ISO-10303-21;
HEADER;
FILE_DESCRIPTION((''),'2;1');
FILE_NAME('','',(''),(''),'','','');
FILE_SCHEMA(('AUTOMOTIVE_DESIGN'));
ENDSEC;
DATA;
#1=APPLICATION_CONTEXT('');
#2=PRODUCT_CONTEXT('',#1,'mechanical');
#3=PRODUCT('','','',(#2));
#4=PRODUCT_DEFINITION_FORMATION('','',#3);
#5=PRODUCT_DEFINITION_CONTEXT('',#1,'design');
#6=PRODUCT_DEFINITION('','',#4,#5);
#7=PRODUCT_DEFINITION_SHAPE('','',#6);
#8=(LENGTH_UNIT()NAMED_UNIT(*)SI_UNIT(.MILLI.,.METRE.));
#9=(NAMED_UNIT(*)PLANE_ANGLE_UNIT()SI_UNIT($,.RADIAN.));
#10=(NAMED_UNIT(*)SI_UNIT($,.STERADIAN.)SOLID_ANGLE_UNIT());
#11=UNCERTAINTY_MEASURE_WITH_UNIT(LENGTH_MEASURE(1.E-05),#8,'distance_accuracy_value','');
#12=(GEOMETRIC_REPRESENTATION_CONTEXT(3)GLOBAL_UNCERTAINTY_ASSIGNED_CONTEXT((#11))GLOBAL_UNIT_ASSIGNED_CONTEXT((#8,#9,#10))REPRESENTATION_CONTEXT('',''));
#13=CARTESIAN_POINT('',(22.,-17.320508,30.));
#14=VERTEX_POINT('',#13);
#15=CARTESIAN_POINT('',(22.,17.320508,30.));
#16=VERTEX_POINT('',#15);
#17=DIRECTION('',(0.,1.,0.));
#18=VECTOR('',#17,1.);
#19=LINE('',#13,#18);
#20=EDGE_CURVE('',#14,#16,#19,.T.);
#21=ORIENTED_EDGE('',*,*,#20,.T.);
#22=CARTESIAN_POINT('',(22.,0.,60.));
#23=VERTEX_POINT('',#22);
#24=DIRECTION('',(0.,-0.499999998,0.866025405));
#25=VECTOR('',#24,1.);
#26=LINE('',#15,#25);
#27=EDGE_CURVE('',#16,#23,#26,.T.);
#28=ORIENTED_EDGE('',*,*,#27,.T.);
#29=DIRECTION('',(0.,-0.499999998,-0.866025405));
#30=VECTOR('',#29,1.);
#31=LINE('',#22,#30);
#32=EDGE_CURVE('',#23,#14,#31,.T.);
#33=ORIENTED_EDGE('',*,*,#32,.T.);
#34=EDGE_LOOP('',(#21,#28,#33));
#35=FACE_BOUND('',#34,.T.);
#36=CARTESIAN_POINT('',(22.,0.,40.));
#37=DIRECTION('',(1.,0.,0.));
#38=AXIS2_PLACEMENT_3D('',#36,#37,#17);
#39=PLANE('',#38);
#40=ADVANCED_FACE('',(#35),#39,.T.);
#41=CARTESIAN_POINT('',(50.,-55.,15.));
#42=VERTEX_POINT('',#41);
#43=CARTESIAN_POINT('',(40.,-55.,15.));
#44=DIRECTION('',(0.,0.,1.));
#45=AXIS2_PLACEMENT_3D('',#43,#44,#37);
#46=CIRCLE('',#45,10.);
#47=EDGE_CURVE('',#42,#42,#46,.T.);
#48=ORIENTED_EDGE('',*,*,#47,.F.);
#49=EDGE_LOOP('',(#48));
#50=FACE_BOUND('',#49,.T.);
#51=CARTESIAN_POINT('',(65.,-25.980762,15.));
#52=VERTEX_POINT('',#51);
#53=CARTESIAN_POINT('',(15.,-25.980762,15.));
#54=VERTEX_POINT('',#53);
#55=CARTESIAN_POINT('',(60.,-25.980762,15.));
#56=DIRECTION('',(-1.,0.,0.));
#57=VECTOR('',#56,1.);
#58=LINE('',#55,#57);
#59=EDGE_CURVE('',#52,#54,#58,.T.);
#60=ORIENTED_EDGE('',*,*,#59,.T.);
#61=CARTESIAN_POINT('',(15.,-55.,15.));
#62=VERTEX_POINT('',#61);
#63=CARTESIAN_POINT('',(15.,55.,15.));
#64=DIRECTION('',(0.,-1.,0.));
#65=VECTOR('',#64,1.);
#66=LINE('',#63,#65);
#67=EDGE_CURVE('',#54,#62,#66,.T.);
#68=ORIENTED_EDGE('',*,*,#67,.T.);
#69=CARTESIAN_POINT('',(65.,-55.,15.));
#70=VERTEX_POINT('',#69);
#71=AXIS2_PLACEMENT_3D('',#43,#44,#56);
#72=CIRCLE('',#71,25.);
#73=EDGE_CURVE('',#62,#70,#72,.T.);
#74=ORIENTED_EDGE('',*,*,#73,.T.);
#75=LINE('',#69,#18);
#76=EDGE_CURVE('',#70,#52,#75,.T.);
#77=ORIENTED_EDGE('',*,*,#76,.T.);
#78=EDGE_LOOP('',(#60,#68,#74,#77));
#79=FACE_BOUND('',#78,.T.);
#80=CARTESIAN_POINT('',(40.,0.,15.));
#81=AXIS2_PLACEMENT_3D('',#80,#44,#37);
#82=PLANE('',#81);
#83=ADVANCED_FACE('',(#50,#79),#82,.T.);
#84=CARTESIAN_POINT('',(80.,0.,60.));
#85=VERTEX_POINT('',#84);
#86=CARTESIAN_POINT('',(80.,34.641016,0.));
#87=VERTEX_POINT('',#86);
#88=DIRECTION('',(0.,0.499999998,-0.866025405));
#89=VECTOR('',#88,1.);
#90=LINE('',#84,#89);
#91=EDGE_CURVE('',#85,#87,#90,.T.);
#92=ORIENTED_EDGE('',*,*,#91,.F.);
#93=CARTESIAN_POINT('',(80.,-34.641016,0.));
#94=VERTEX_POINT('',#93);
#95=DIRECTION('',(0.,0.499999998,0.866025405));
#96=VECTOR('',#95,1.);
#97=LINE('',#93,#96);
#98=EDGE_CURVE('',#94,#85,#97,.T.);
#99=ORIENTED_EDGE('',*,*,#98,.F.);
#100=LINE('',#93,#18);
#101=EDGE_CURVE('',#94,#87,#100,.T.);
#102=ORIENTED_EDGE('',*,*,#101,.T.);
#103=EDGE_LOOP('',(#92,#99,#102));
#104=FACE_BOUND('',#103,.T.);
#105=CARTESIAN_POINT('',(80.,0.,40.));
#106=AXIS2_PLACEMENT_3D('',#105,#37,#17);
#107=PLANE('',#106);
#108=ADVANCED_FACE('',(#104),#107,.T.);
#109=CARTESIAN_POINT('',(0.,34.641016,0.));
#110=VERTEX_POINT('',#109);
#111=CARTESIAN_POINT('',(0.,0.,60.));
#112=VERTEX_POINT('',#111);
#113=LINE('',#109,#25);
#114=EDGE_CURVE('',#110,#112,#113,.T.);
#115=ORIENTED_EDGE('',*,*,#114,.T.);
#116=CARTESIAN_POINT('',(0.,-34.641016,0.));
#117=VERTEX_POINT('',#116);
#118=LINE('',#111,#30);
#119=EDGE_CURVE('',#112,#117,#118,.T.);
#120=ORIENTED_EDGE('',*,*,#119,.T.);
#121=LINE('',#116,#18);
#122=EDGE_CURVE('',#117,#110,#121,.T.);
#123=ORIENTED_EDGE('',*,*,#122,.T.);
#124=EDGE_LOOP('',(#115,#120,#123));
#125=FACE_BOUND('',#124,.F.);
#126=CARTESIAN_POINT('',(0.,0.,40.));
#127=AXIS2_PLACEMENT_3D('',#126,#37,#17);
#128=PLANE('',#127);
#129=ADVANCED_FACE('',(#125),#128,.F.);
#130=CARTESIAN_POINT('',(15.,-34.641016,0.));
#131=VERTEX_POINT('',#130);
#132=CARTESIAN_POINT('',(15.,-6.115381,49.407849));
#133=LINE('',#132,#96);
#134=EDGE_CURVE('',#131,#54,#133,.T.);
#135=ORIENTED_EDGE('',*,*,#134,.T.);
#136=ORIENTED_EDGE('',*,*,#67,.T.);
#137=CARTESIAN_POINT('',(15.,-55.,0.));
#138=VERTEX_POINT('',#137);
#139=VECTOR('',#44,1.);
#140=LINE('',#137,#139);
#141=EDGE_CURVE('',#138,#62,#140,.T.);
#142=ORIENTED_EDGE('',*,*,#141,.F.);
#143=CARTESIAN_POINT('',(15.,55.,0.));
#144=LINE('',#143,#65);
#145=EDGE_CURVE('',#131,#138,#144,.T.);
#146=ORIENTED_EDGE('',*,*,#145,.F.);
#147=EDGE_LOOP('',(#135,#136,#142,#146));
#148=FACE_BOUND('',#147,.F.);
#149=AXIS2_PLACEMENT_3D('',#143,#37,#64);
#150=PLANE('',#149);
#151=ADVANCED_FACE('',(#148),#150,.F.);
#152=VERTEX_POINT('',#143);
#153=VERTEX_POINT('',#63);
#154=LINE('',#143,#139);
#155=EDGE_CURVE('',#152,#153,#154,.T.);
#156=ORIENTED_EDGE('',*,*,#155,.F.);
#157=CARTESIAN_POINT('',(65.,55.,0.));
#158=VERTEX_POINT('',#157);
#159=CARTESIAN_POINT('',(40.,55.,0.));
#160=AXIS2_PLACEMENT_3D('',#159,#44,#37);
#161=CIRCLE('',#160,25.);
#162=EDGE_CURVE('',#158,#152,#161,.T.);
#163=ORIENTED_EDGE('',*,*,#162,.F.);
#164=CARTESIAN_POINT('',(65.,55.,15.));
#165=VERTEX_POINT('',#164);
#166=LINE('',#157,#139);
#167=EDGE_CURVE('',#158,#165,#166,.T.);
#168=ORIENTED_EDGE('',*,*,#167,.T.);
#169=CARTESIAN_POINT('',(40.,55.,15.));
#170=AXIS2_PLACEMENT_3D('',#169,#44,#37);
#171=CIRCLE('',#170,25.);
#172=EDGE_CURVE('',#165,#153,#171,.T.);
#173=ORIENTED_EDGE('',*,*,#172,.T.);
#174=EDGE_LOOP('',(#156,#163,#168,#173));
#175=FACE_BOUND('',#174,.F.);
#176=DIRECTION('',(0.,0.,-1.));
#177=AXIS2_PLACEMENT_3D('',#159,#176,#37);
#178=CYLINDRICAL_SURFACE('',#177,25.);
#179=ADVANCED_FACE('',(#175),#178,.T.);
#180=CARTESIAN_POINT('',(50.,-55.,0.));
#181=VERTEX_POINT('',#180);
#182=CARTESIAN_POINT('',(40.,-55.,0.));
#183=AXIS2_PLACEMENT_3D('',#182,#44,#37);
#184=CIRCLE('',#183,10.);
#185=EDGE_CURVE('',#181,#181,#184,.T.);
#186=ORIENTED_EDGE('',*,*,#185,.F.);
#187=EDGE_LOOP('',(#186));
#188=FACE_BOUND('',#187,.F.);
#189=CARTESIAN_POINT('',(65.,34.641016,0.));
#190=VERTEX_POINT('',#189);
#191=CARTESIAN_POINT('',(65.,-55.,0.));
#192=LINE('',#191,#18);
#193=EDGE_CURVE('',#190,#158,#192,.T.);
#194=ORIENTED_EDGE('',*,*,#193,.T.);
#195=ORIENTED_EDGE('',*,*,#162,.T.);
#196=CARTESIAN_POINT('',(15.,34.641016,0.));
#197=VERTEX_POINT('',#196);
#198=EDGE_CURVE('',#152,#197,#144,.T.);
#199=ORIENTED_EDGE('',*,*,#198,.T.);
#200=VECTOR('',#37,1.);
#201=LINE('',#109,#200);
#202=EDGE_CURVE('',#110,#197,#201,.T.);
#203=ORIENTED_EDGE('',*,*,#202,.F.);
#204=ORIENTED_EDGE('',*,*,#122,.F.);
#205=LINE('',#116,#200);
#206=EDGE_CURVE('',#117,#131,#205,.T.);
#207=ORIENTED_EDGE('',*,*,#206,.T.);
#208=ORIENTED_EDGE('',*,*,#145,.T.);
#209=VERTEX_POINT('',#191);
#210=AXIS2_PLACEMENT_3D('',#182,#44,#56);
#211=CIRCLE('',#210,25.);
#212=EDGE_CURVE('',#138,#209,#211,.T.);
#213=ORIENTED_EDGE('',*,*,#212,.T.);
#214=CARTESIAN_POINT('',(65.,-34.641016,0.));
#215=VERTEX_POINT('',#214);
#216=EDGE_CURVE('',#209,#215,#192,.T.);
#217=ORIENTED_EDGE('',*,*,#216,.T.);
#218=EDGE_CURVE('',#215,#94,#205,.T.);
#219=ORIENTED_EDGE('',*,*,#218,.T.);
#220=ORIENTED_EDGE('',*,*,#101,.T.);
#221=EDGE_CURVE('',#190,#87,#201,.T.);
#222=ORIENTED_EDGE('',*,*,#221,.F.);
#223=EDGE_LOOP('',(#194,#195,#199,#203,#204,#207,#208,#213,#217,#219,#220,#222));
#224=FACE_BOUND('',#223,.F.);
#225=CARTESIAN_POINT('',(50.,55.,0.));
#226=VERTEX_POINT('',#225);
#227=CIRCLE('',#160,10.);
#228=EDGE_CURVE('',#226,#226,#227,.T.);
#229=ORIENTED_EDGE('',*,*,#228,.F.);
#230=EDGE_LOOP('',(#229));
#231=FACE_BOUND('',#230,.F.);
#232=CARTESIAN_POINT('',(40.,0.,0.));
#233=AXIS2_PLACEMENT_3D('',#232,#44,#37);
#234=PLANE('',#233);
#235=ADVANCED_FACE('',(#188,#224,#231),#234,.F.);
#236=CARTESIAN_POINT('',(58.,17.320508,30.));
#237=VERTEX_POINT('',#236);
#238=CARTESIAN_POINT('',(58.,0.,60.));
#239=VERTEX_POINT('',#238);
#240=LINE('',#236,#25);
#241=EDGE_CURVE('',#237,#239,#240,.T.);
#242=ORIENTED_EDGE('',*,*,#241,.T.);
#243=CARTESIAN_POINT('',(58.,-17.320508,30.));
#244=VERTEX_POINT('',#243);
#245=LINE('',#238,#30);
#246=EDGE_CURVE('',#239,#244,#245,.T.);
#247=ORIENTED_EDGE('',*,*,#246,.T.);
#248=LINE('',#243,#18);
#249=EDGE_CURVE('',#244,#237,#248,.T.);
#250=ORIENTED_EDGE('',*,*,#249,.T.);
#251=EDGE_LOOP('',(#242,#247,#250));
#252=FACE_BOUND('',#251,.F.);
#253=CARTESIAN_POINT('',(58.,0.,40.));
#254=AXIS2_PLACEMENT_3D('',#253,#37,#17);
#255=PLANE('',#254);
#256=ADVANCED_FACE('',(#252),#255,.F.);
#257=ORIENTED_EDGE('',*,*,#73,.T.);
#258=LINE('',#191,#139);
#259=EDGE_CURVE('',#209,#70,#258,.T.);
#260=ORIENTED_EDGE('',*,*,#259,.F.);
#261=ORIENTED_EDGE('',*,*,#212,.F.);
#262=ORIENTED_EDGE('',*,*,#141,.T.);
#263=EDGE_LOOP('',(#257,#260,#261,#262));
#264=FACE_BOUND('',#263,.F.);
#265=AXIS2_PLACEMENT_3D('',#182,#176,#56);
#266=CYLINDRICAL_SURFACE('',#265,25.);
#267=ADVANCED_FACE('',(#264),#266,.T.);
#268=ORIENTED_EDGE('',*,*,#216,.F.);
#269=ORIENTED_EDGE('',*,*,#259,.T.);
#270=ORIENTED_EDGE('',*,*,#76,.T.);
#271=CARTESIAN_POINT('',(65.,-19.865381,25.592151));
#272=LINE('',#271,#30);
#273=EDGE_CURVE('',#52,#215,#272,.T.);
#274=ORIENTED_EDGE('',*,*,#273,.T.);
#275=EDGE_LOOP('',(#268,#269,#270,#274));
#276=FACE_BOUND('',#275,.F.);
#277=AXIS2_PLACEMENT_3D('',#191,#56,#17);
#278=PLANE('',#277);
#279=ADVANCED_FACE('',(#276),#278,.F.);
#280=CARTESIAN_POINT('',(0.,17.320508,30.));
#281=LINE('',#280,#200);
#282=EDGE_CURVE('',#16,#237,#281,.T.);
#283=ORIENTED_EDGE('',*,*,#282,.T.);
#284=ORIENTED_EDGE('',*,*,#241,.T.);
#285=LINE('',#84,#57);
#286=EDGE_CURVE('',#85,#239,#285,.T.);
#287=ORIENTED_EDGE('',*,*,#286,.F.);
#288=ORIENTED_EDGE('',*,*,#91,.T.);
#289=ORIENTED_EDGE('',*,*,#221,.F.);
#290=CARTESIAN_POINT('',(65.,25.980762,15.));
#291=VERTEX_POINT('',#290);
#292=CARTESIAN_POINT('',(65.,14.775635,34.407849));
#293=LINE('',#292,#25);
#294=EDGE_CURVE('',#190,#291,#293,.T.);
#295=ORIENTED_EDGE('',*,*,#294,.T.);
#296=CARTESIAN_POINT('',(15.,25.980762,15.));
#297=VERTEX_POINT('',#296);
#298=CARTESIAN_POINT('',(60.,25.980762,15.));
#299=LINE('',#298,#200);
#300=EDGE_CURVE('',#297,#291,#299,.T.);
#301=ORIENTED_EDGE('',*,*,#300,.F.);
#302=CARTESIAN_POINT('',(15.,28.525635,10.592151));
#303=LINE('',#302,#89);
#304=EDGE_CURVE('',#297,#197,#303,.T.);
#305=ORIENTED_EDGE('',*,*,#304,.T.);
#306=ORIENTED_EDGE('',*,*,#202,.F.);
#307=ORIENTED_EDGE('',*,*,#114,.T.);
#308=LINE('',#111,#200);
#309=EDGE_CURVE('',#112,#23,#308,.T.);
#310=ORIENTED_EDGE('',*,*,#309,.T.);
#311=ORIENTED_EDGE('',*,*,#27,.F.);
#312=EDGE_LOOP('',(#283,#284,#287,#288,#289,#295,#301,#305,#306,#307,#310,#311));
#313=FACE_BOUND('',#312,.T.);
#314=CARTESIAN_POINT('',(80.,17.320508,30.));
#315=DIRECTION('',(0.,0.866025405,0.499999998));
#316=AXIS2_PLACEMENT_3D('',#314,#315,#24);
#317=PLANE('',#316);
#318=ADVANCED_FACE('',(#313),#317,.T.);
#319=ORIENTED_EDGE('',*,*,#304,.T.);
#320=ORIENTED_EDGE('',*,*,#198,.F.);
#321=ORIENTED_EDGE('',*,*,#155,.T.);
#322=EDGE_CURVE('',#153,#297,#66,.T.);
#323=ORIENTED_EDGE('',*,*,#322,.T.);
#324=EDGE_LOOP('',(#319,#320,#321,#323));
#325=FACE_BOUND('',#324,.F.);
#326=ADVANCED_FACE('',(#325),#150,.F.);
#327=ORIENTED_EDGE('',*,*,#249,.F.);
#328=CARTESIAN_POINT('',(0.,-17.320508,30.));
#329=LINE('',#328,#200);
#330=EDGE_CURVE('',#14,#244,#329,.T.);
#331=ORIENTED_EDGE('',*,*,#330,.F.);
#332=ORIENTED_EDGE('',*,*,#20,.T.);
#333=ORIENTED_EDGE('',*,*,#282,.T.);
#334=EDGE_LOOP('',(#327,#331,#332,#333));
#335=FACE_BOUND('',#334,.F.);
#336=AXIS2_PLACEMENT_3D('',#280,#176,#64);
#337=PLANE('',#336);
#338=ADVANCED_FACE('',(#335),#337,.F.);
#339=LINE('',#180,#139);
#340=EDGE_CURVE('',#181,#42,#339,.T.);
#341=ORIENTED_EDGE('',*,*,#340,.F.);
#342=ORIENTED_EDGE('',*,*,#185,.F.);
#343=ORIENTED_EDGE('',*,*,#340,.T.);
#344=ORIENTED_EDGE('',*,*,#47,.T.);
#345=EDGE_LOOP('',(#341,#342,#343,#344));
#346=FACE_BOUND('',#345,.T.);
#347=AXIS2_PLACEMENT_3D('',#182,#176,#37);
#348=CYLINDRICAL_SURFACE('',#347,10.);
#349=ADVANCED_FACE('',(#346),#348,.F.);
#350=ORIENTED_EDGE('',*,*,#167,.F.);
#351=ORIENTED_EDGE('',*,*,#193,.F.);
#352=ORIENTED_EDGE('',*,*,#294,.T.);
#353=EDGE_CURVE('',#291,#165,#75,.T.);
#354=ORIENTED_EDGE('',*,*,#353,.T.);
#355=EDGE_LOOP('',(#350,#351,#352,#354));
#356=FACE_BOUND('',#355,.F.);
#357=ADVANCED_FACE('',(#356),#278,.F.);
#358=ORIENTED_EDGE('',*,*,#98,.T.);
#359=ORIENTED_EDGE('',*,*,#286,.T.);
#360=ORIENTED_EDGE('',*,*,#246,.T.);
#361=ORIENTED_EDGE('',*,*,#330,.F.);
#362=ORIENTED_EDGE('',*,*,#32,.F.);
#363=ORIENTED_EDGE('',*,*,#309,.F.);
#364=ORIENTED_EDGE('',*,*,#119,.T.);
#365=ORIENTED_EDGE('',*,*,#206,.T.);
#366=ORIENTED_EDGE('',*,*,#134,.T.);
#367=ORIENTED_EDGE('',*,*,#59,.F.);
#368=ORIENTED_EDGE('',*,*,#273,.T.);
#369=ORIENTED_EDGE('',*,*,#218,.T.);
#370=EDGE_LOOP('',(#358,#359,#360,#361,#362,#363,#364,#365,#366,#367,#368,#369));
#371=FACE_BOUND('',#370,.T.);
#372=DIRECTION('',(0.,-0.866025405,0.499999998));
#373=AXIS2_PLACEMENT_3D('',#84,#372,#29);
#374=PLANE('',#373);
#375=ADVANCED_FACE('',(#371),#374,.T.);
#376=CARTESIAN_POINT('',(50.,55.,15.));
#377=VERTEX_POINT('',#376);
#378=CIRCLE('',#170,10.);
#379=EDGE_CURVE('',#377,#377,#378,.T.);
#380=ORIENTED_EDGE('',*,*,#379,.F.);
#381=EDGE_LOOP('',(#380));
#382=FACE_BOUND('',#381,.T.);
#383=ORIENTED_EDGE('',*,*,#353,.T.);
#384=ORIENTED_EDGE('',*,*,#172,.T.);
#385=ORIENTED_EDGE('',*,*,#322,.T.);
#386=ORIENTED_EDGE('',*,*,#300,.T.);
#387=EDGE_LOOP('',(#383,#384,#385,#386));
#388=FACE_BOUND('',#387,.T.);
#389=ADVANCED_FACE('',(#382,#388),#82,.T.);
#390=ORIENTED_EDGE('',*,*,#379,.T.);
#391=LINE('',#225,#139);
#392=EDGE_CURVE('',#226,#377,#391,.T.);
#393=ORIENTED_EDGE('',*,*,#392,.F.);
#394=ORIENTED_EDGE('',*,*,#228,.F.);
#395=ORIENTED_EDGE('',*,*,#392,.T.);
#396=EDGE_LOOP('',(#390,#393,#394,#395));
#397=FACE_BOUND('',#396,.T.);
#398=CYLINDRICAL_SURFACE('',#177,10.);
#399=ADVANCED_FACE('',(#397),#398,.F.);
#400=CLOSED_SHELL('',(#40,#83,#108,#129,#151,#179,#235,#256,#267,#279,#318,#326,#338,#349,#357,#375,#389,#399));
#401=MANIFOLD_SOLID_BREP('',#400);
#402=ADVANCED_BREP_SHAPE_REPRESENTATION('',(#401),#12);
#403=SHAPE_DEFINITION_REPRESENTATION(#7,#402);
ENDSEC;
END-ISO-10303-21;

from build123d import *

# Parameters (mm, degrees)
F1_DEPTH = 80
F2_DEPTH = 22
F5_DEPTH = 22
F7_R     = 10
F8_DEPTH = 15


with BuildPart() as f1:
    # F0 (on Right) → F1 (new body)
    with BuildSketch(Plane.YZ):
        Polygon((0, 30), (0, 0), (34.641016, 0), (17.320508, 30), align=None)
        Polygon((-34.641016, 0), (0, 0), (0, 30), (-17.320508, 30), align=None)
    extrude(amount=F1_DEPTH)

    # F0 (on Right) → F2 (join)
    with BuildSketch(Plane.YZ):
        Polygon((-17.320508, 30), (0, 30), (17.320508, 30), (0, 60), align=None)
    extrude(amount=F2_DEPTH)

    # F4 (on face) → F5 (join)
    with BuildSketch(Plane.YZ.offset(80)):
        Polygon((0, 60), (-17.320508, 30), (17.320508, 30), align=None)
    extrude(amount=-F5_DEPTH)

    # F7 (on Top) → F8 (join)
    with BuildSketch(Plane.XY):
        with BuildLine():
            Line((65, -55), (65, 55))
            ThreePointArc((65, 55), (40, 80), (15, 55))
            Line((15, 55), (15, -55))
            ThreePointArc((15, -55), (40, -80), (65, -55))
        make_face()
        with Locations((40, -55)):
            Circle(F7_R, mode=Mode.SUBTRACT)
        with Locations((40, 55)):
            Circle(F7_R, mode=Mode.SUBTRACT)
    extrude(amount=F8_DEPTH)


solid = f1.part
